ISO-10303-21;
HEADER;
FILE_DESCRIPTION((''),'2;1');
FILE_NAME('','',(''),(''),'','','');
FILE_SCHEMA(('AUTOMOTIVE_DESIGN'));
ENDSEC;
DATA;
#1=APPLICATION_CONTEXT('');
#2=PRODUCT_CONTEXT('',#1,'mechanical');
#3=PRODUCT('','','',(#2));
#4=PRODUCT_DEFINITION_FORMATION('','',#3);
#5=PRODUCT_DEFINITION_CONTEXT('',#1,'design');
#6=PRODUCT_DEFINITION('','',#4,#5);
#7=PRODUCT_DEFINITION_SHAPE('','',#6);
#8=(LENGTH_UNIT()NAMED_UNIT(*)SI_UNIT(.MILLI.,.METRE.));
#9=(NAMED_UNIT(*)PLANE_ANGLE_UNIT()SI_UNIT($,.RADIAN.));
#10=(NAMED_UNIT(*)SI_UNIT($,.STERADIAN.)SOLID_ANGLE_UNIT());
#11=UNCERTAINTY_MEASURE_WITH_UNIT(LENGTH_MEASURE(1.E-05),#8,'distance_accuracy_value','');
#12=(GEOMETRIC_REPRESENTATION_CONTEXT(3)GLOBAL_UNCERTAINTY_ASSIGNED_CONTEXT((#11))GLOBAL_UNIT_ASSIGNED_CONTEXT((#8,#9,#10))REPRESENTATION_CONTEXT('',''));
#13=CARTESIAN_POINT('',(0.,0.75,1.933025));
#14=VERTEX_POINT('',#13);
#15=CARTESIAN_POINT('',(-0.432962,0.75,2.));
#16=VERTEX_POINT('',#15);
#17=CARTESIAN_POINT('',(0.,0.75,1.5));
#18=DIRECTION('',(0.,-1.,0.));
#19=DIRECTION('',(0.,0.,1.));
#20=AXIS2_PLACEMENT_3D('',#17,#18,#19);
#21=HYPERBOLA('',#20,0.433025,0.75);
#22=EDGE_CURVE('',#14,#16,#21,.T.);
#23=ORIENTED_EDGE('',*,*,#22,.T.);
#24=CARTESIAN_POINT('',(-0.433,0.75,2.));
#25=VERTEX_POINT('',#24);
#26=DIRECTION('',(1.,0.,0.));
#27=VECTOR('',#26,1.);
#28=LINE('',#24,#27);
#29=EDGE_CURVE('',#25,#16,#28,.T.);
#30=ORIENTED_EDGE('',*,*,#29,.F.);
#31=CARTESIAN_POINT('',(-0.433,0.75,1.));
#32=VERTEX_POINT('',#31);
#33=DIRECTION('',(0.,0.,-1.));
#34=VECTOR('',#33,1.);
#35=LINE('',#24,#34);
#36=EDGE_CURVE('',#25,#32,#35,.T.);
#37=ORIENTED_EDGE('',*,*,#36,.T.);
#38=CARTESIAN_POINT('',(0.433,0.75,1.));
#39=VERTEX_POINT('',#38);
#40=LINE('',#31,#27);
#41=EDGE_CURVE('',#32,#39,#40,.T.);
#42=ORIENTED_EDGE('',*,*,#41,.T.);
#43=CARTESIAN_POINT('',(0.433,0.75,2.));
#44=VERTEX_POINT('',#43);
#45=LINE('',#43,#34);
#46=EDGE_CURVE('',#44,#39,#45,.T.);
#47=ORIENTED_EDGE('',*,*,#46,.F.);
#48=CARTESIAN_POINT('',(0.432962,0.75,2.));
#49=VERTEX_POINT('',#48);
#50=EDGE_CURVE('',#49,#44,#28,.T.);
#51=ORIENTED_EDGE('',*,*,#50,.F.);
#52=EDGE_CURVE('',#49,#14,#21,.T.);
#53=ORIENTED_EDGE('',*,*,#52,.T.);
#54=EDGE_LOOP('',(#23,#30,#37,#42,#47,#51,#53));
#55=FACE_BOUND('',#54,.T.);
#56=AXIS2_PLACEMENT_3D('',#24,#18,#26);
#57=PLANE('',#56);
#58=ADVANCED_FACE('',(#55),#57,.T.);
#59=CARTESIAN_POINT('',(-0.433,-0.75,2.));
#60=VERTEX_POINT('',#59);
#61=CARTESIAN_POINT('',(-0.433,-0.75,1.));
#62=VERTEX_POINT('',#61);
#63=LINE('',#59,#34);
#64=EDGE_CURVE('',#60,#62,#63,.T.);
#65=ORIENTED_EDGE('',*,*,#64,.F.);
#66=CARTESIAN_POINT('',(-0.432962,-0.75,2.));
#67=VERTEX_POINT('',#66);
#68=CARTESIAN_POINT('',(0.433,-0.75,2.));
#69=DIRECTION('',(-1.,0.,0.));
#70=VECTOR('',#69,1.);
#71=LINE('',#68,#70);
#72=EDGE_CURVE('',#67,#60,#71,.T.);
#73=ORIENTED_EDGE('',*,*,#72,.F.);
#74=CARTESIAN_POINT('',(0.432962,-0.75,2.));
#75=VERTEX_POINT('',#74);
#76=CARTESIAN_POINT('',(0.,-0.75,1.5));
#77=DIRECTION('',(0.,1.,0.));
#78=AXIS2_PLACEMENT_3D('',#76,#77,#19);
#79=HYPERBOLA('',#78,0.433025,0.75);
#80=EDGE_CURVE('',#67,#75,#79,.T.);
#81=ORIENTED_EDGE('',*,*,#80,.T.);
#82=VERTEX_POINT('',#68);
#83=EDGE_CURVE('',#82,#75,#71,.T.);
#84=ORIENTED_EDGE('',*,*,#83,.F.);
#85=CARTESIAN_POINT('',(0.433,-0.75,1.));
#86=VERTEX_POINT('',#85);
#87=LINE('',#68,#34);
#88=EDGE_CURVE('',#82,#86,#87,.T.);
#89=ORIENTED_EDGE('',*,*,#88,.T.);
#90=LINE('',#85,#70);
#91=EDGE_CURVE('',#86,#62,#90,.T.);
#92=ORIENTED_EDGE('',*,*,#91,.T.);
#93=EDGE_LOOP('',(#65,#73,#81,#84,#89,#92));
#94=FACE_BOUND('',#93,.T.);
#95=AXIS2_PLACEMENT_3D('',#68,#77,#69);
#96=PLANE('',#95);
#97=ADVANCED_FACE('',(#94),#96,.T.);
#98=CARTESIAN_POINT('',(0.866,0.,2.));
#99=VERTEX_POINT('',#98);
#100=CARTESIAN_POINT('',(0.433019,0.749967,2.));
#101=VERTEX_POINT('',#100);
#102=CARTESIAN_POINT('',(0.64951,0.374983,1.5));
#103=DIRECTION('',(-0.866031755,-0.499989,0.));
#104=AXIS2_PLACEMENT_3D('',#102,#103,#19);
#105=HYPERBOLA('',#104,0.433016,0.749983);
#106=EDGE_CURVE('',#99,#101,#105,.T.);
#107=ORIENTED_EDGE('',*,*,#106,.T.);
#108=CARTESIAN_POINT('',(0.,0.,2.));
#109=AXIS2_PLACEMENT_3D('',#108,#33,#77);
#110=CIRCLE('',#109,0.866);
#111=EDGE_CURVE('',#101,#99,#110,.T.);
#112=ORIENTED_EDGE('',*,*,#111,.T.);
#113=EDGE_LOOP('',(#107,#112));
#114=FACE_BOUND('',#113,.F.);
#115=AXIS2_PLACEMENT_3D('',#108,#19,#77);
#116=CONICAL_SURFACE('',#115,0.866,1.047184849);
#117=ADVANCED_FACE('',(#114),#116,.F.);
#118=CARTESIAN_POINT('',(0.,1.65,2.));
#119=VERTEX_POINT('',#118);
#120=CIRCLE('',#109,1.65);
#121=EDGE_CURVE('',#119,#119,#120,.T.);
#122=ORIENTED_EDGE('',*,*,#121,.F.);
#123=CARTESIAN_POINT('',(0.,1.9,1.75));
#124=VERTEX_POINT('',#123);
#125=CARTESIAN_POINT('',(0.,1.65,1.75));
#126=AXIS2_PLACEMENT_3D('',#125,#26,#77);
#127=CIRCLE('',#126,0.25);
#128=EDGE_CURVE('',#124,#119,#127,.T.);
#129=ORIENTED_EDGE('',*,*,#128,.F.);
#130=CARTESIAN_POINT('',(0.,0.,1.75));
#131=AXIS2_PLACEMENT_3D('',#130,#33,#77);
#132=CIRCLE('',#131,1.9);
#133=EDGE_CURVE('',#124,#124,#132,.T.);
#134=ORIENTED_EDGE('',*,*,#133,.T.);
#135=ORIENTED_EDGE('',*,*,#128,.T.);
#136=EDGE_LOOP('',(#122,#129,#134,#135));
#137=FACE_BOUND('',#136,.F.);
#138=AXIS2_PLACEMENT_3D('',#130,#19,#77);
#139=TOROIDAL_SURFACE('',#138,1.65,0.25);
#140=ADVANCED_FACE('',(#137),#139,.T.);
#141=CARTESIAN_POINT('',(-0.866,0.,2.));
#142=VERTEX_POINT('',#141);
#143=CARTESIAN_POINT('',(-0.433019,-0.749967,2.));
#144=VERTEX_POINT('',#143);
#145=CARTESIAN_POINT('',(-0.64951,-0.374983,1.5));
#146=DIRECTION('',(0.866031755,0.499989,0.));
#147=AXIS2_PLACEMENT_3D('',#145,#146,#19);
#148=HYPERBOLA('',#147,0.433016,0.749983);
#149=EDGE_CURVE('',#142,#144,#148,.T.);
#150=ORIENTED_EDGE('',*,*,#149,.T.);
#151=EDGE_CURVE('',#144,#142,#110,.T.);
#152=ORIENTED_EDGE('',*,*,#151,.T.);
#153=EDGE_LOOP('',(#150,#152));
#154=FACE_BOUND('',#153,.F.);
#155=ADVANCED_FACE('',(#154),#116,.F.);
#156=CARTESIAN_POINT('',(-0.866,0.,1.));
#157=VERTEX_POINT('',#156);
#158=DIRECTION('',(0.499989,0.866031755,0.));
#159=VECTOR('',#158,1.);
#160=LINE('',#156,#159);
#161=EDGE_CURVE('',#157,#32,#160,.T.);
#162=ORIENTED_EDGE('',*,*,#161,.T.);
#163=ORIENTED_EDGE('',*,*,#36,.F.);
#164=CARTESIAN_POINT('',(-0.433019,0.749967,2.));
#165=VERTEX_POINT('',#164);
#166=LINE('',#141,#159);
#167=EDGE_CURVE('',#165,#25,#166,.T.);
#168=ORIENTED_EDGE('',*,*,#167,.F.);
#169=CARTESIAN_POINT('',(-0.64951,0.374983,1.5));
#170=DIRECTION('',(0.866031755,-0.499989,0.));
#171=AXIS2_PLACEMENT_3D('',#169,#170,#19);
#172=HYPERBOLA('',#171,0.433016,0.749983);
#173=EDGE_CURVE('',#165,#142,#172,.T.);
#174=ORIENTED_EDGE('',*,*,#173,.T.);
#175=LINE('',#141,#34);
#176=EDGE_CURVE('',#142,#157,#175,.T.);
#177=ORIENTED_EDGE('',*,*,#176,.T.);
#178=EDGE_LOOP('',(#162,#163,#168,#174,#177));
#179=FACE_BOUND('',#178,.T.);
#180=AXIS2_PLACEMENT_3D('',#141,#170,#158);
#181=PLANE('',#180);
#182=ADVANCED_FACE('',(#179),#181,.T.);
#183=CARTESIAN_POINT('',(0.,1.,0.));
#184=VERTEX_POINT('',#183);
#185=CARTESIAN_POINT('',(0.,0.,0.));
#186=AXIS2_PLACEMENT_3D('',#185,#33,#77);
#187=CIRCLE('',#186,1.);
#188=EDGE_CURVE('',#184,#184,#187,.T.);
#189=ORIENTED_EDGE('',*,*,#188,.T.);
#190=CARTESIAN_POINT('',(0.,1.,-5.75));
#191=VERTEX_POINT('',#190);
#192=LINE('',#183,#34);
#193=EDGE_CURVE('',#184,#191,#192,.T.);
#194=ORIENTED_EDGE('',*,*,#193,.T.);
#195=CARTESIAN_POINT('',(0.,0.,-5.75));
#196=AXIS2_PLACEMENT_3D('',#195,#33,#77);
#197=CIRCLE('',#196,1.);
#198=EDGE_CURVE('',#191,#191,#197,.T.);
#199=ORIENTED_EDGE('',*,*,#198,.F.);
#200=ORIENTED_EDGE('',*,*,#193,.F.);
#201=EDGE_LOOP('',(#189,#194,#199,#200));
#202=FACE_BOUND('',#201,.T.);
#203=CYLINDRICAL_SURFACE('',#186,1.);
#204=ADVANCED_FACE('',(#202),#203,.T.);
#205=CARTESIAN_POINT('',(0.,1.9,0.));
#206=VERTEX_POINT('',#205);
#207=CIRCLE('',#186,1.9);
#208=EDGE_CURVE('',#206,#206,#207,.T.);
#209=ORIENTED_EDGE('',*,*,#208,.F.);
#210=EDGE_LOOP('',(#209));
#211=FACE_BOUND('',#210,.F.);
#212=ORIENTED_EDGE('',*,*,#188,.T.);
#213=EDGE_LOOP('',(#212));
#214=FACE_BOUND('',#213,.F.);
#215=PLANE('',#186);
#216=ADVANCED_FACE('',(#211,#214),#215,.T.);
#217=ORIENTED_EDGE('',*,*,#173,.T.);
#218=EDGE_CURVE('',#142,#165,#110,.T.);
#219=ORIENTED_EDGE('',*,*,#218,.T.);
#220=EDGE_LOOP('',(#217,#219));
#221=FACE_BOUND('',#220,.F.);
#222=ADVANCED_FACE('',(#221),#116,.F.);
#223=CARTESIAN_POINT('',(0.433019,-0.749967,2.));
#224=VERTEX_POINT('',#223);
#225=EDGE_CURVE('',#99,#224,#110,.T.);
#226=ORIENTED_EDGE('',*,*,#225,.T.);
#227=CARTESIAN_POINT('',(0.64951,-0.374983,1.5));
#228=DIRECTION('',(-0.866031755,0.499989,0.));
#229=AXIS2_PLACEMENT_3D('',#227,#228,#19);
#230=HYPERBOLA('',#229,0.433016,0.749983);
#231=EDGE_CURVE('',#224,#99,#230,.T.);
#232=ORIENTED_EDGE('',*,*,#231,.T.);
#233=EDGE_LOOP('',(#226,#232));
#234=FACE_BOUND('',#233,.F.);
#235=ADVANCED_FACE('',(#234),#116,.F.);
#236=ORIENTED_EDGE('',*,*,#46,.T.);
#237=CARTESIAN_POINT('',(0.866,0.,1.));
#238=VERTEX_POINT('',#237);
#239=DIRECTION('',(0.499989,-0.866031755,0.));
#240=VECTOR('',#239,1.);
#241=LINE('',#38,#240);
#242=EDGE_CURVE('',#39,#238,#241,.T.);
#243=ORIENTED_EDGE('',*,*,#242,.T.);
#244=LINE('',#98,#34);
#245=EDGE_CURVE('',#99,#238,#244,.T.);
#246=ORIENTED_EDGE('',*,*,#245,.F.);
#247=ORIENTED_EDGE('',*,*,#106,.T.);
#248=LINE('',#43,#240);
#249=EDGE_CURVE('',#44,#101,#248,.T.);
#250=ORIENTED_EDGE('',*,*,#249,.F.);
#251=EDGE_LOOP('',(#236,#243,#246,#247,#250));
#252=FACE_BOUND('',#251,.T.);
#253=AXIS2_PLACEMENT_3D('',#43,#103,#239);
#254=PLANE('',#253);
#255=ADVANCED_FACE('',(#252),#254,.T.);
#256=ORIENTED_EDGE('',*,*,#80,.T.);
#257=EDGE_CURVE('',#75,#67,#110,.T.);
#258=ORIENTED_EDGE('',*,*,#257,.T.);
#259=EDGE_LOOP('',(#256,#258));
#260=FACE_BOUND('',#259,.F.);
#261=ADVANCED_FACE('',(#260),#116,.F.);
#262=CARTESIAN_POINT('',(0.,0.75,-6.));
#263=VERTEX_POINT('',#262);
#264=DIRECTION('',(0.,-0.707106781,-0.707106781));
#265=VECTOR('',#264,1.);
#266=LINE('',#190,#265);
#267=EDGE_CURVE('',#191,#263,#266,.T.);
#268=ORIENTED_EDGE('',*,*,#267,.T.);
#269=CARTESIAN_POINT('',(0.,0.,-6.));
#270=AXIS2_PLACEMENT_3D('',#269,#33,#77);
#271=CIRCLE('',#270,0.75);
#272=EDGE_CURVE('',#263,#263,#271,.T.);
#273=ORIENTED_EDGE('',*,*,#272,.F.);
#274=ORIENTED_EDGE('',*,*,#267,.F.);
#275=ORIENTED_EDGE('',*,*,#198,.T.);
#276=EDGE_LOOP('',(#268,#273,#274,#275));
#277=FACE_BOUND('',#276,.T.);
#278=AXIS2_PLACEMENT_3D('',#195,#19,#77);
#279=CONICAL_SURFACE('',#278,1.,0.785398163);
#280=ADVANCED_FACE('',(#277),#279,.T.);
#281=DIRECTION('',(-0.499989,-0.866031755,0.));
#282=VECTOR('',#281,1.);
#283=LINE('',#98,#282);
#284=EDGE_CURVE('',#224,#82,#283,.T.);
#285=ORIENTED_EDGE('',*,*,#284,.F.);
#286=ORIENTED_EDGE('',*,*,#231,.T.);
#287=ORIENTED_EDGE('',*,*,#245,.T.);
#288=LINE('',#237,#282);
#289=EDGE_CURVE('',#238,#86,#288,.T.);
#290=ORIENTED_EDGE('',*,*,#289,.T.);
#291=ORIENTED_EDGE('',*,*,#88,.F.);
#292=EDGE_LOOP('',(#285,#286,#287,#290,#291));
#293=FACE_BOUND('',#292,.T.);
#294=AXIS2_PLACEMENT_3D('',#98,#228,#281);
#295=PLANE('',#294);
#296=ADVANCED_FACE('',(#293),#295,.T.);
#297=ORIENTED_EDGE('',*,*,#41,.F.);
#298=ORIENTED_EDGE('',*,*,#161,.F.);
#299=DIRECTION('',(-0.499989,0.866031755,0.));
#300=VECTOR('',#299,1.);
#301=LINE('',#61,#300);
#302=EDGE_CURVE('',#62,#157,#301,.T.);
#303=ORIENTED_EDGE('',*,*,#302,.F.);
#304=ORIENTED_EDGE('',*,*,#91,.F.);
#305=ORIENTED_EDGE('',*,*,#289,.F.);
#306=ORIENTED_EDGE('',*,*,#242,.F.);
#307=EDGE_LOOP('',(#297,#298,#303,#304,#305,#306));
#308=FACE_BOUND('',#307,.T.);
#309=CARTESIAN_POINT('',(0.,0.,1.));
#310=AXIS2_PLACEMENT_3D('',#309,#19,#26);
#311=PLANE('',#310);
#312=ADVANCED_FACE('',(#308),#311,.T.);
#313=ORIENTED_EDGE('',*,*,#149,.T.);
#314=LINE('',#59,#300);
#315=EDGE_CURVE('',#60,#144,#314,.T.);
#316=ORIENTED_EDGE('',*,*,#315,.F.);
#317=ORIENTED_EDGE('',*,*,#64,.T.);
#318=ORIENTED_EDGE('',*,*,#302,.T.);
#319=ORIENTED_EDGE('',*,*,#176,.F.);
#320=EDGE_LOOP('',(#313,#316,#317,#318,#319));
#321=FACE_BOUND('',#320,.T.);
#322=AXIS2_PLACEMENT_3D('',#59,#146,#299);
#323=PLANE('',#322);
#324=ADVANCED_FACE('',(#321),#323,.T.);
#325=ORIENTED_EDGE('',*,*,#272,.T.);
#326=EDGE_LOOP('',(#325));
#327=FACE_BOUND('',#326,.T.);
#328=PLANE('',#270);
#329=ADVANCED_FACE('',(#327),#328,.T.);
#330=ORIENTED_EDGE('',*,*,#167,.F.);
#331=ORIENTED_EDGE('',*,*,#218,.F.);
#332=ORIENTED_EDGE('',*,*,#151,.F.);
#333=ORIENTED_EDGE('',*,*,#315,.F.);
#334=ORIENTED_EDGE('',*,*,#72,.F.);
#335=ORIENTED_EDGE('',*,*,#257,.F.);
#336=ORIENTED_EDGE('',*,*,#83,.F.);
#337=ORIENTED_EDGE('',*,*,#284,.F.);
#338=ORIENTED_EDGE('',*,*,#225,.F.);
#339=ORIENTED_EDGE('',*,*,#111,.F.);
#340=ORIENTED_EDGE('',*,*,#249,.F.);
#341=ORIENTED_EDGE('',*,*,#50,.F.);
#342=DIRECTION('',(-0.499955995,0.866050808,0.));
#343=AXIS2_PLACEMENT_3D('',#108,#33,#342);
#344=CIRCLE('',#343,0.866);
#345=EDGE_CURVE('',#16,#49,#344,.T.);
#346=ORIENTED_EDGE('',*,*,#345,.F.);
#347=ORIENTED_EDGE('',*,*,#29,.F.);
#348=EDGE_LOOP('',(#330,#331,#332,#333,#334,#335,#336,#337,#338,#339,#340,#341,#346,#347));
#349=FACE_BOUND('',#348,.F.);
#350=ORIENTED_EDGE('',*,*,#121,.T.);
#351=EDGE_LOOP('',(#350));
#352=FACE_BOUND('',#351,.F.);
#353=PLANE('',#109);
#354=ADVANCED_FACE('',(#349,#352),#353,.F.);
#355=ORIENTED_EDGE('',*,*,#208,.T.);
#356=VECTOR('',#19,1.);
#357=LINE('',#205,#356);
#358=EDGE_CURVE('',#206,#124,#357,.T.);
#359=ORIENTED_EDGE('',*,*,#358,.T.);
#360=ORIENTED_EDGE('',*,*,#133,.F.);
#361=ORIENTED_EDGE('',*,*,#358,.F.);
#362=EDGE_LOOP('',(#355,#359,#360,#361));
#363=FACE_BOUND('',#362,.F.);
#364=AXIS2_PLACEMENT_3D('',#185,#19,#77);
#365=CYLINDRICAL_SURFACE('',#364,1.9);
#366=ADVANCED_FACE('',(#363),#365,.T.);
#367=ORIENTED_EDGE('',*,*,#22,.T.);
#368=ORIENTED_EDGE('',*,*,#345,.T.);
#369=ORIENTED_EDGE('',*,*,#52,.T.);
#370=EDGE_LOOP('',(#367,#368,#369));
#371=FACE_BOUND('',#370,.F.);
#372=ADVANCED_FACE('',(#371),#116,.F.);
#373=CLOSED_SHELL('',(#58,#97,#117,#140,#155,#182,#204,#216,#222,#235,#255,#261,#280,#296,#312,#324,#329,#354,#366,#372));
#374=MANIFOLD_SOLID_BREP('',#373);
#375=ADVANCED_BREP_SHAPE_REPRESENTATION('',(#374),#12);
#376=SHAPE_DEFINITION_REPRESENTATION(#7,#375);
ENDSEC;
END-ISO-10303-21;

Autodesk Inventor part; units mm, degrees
ref_plane "YZ Plane" through (0, 0, 0) normal (1, 0, 0) x (0, 1, 0)
ref_plane "XZ Plane" through (0, 0, 0) normal (0, 1, 0) x (-1, 0, 0)
ref_plane "XY Plane" through (0, 0, 0) normal (0, 0, 1) x (1, 0, 0)
sketch "スケッチ1" plane through (0, 0, 0) normal (1, 0, 0) x (0, 1, 0)
  line L0 (0, 0) -> (1, 0) construction
  line L1 (1.9, 0) -> (1.9, 1.75)
  line L2 (1.65, 2) -> (0.866, 2)
  line L3 (0, 2) -> (0, 1.5) construction
  line L4 (1, 0) -> (1, -6)
  line L5 (1, -6) -> (0, -6)
  line L6 (0, -6) -> (0, 0)
  line L7 (1, 0) -> (1.9, 0)
  line L8 (0.866, 2) -> (0.433, 1.25) construction
  line L9 (0.433, 1.25) -> (-0.433, 1.25) construction
  line L10 (-0.433, 1.25) -> (-0.866, 2) construction
  line L11 (-0.866, 2) -> (-0.433, 2.75) construction
  line L12 (-0.433, 2.75) -> (0.433, 2.75) construction
  line L13 (0.433, 2.75) -> (0.866, 2) construction
  line L14 (0.866, 2) -> (0, 1.5)
  line L15 (0.866, 2) -> (0, 2) construction
  line L16 (0, 1.5) -> (0, 0)
  arc A0 (1.9, 1.75) -> (1.65, 2) centre (1.65, 1.75) ccw
  dimension "d0" = 1.5
  dimension "d1" = 3.8
  dimension "d2" = 2
  dimension "d3" = 6
  dimension "d4" = 2
  dimension "d6" = 0.25
  dimension "d11" = 30
revolve "回転1" add sketch "スケッチ1" angle 360 about axis through (0, 0, 1.5) along (0, 0, -1)
sketch "スケッチ2" plane through (0, 0, 2) normal (0, 0, 1) x (1, 0, 0)
  line L0 (0.866, 0) -> (0.433, -0.75)
  line L1 (0.433, -0.75) -> (-0.433, -0.75)
  line L2 (-0.433, -0.75) -> (-0.866, 0)
  line L3 (-0.866, 0) -> (-0.433, 0.75)
  line L4 (-0.433, 0.75) -> (0.433, 0.75)
  line L5 (0.433, 0.75) -> (0.866, 0)
  point P0 (0, 0)
  point P1 (0, 0)
  dimension "d8" = 1.5
extrude "押し出し1" cut sketch "スケッチ2" against normal blind 1
chamfer "面取り1" distance 0.25 angle 45 1 edges at (0, -1, -6)
properties part number "10_050_CAP_BOLT_M2X6_R1" material "鋼、炭素鋼"
